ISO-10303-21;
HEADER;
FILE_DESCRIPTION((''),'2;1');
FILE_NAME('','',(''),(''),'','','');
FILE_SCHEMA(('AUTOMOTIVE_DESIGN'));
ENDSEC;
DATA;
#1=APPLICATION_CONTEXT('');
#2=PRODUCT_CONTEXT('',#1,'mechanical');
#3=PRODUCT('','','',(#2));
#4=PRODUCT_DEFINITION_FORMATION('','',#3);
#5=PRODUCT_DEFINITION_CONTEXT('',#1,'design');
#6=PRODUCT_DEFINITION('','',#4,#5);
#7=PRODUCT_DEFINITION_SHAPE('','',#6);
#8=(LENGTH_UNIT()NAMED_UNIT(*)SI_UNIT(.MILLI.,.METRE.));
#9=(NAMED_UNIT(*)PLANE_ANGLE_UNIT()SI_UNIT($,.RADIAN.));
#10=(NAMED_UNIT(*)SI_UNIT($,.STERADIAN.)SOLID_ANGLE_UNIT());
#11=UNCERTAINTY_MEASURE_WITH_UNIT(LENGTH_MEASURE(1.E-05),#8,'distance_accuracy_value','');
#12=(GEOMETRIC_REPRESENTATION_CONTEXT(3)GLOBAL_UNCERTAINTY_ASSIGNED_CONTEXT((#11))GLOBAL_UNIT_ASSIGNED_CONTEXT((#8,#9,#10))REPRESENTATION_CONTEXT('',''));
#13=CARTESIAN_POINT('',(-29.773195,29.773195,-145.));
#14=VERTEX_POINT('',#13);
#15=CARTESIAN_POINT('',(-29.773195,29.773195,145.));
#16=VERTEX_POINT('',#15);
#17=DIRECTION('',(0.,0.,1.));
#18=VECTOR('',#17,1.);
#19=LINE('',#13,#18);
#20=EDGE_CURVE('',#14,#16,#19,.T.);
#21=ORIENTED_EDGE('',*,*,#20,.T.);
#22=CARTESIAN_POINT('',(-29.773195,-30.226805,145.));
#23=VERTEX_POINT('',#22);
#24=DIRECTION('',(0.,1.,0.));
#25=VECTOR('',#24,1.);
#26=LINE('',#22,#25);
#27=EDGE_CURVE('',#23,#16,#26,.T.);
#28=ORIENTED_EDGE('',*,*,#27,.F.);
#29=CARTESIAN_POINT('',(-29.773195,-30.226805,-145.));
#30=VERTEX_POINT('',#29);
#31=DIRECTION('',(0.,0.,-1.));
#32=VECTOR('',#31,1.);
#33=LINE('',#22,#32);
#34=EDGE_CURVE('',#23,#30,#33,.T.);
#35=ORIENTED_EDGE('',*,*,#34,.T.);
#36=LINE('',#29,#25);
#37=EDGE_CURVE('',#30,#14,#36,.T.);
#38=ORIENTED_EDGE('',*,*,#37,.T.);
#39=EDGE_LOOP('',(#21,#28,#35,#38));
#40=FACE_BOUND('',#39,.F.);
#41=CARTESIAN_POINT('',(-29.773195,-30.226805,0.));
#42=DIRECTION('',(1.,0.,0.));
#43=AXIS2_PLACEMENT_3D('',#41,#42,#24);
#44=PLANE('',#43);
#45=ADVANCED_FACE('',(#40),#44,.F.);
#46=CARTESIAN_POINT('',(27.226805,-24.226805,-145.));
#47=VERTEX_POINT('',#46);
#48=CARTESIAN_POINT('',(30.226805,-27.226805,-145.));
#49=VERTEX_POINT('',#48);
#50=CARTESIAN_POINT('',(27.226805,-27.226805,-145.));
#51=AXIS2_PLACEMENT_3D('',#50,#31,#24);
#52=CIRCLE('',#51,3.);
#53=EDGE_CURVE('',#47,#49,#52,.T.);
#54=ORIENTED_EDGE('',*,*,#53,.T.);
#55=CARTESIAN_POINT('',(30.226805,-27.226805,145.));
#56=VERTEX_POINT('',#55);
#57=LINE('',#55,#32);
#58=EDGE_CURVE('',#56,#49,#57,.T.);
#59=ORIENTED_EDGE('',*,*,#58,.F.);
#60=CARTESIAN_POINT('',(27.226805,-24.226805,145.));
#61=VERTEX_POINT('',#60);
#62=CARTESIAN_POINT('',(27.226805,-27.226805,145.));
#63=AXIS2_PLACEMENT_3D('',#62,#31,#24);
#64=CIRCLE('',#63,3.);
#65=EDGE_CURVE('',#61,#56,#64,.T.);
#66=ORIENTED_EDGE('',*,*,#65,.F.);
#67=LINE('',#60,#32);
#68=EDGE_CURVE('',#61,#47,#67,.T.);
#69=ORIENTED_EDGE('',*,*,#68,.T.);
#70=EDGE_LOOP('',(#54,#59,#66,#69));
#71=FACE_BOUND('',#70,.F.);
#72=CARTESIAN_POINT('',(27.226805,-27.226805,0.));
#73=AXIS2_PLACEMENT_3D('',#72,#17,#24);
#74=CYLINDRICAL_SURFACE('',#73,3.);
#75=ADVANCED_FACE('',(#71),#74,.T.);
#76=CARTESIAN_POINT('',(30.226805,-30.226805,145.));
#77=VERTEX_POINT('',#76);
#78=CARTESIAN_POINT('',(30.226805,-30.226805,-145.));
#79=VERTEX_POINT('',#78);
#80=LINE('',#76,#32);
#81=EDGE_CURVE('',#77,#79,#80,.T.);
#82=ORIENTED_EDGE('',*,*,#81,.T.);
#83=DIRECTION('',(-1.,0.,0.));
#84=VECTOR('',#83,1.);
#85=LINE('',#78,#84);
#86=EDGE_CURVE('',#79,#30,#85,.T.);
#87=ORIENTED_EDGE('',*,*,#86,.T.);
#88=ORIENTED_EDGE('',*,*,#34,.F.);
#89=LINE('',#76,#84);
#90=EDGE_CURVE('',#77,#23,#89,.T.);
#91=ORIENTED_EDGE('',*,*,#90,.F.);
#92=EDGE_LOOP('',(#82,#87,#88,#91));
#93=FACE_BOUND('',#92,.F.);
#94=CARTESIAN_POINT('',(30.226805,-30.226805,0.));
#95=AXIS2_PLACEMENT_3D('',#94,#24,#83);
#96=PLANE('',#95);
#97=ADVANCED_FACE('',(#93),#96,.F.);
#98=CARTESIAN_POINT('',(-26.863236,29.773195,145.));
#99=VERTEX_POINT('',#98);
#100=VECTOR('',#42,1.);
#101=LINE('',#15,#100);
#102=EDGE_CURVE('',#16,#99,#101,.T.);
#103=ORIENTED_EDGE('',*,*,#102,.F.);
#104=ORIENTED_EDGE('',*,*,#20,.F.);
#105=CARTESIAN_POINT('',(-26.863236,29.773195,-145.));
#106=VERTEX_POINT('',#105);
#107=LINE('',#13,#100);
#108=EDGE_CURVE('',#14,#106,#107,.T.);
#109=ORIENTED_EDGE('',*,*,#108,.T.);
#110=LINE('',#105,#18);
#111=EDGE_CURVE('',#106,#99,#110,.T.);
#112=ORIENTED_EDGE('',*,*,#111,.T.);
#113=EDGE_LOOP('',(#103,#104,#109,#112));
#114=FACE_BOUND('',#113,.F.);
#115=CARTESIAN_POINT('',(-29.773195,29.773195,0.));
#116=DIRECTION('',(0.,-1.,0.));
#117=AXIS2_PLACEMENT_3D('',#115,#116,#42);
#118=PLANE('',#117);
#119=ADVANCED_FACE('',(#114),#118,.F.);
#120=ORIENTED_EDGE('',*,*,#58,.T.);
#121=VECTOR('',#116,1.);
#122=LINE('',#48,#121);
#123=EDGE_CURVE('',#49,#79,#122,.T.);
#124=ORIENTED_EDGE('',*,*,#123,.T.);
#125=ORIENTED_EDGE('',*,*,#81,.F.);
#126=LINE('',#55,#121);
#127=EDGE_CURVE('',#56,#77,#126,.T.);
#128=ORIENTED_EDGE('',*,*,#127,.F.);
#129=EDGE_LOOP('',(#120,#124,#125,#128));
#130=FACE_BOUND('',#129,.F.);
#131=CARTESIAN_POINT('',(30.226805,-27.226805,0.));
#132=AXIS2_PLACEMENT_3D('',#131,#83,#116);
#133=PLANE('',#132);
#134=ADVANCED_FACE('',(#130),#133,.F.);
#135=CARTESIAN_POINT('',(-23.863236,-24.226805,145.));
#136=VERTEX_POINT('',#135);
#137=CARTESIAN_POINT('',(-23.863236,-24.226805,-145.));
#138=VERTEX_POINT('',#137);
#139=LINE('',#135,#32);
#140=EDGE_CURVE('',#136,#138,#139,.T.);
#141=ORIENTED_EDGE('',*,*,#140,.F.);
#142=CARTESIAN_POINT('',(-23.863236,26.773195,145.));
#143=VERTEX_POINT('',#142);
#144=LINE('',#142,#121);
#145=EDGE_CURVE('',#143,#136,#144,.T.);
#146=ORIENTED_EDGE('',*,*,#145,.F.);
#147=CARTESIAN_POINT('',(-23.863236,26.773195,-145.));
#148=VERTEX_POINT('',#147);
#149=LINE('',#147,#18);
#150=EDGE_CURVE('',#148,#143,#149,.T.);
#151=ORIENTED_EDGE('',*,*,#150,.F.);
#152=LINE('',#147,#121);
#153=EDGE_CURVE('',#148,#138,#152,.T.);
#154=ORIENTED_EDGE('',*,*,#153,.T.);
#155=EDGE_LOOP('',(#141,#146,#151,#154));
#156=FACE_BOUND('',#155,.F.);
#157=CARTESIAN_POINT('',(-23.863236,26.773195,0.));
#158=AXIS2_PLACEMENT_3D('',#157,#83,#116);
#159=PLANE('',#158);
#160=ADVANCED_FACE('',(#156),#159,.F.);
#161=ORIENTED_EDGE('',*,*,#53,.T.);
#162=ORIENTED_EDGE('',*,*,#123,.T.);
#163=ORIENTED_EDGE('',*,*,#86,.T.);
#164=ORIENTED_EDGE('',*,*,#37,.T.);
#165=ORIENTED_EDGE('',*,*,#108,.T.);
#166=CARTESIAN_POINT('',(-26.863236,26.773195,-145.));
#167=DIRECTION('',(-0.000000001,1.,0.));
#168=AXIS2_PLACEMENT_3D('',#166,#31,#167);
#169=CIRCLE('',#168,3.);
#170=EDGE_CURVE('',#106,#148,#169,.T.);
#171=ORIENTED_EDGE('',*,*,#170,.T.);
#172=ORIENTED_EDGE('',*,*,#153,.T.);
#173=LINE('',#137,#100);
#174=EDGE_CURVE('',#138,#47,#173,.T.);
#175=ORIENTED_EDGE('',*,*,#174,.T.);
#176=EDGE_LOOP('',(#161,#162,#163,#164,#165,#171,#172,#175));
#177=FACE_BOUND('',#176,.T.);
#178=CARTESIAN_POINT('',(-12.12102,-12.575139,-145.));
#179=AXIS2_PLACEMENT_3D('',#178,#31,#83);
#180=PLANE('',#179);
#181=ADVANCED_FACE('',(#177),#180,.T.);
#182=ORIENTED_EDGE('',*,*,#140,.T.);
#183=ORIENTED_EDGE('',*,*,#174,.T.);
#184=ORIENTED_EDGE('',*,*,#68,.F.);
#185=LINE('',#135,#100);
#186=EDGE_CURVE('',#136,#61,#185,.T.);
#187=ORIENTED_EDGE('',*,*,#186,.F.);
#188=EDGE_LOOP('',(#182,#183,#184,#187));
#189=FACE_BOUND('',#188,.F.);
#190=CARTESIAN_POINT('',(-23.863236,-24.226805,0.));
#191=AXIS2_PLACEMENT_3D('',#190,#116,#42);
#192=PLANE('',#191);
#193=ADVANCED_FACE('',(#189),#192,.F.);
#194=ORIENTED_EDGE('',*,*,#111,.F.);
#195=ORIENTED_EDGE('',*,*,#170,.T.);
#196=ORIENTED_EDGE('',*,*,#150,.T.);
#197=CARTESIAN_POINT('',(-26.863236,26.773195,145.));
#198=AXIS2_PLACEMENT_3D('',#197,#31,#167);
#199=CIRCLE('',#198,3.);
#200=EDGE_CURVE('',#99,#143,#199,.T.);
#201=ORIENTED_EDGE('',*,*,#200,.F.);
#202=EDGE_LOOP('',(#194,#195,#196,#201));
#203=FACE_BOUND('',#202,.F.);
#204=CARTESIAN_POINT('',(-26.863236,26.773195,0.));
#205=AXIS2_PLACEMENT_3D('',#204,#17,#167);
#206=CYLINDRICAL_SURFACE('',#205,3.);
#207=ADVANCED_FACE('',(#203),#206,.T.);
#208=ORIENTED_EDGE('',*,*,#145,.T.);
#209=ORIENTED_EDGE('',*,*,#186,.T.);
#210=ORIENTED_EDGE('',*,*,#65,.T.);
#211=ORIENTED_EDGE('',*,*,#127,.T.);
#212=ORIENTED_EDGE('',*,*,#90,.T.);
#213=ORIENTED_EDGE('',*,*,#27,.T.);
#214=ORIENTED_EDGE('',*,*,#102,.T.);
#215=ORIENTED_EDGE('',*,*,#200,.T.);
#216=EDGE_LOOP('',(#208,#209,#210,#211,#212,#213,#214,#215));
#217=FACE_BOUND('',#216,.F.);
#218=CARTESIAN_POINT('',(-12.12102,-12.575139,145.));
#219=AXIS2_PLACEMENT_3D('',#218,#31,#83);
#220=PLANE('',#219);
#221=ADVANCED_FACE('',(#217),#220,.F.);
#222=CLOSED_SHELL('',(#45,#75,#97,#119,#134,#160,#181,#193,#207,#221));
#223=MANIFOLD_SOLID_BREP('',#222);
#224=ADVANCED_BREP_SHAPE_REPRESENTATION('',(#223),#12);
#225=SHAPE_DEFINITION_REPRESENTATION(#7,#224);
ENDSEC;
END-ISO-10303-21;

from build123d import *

# Parameters (mm, degrees)
BOSS_EXTRUDE1_DEPTH = 145


with BuildPart() as part:
    # Sketch1 → Boss-Extrude1 (new, symmetric)
    with BuildSketch(Plane.XY):
        with BuildLine():
            Line((-23.863236221, 26.773194914), (-23.863236221, -24.226805086))
            Line((-23.863236221, -24.226805086), (27.226805086, -24.226805086))
            ThreePointArc((27.226805086, -24.226805086), (29.348125429, -25.105484742), (30.226805086, -27.226805086))
            Line((30.226805086, -27.226805086), (30.226805086, -30.226805086))
            Line((30.226805086, -30.226805086), (-29.773194914, -30.226805086))
            Line((-29.773194914, -30.226805086), (-29.773194914, 29.773194914))
            Line((-29.773194914, 29.773194914), (-26.863236221, 29.773194914))
            ThreePointArc((-26.863236221, 29.773194914), (-24.741915877, 28.894515258), (-23.863236221, 26.773194914))
        make_face()
    extrude(amount=BOSS_EXTRUDE1_DEPTH, both=True)


solid = part.part
